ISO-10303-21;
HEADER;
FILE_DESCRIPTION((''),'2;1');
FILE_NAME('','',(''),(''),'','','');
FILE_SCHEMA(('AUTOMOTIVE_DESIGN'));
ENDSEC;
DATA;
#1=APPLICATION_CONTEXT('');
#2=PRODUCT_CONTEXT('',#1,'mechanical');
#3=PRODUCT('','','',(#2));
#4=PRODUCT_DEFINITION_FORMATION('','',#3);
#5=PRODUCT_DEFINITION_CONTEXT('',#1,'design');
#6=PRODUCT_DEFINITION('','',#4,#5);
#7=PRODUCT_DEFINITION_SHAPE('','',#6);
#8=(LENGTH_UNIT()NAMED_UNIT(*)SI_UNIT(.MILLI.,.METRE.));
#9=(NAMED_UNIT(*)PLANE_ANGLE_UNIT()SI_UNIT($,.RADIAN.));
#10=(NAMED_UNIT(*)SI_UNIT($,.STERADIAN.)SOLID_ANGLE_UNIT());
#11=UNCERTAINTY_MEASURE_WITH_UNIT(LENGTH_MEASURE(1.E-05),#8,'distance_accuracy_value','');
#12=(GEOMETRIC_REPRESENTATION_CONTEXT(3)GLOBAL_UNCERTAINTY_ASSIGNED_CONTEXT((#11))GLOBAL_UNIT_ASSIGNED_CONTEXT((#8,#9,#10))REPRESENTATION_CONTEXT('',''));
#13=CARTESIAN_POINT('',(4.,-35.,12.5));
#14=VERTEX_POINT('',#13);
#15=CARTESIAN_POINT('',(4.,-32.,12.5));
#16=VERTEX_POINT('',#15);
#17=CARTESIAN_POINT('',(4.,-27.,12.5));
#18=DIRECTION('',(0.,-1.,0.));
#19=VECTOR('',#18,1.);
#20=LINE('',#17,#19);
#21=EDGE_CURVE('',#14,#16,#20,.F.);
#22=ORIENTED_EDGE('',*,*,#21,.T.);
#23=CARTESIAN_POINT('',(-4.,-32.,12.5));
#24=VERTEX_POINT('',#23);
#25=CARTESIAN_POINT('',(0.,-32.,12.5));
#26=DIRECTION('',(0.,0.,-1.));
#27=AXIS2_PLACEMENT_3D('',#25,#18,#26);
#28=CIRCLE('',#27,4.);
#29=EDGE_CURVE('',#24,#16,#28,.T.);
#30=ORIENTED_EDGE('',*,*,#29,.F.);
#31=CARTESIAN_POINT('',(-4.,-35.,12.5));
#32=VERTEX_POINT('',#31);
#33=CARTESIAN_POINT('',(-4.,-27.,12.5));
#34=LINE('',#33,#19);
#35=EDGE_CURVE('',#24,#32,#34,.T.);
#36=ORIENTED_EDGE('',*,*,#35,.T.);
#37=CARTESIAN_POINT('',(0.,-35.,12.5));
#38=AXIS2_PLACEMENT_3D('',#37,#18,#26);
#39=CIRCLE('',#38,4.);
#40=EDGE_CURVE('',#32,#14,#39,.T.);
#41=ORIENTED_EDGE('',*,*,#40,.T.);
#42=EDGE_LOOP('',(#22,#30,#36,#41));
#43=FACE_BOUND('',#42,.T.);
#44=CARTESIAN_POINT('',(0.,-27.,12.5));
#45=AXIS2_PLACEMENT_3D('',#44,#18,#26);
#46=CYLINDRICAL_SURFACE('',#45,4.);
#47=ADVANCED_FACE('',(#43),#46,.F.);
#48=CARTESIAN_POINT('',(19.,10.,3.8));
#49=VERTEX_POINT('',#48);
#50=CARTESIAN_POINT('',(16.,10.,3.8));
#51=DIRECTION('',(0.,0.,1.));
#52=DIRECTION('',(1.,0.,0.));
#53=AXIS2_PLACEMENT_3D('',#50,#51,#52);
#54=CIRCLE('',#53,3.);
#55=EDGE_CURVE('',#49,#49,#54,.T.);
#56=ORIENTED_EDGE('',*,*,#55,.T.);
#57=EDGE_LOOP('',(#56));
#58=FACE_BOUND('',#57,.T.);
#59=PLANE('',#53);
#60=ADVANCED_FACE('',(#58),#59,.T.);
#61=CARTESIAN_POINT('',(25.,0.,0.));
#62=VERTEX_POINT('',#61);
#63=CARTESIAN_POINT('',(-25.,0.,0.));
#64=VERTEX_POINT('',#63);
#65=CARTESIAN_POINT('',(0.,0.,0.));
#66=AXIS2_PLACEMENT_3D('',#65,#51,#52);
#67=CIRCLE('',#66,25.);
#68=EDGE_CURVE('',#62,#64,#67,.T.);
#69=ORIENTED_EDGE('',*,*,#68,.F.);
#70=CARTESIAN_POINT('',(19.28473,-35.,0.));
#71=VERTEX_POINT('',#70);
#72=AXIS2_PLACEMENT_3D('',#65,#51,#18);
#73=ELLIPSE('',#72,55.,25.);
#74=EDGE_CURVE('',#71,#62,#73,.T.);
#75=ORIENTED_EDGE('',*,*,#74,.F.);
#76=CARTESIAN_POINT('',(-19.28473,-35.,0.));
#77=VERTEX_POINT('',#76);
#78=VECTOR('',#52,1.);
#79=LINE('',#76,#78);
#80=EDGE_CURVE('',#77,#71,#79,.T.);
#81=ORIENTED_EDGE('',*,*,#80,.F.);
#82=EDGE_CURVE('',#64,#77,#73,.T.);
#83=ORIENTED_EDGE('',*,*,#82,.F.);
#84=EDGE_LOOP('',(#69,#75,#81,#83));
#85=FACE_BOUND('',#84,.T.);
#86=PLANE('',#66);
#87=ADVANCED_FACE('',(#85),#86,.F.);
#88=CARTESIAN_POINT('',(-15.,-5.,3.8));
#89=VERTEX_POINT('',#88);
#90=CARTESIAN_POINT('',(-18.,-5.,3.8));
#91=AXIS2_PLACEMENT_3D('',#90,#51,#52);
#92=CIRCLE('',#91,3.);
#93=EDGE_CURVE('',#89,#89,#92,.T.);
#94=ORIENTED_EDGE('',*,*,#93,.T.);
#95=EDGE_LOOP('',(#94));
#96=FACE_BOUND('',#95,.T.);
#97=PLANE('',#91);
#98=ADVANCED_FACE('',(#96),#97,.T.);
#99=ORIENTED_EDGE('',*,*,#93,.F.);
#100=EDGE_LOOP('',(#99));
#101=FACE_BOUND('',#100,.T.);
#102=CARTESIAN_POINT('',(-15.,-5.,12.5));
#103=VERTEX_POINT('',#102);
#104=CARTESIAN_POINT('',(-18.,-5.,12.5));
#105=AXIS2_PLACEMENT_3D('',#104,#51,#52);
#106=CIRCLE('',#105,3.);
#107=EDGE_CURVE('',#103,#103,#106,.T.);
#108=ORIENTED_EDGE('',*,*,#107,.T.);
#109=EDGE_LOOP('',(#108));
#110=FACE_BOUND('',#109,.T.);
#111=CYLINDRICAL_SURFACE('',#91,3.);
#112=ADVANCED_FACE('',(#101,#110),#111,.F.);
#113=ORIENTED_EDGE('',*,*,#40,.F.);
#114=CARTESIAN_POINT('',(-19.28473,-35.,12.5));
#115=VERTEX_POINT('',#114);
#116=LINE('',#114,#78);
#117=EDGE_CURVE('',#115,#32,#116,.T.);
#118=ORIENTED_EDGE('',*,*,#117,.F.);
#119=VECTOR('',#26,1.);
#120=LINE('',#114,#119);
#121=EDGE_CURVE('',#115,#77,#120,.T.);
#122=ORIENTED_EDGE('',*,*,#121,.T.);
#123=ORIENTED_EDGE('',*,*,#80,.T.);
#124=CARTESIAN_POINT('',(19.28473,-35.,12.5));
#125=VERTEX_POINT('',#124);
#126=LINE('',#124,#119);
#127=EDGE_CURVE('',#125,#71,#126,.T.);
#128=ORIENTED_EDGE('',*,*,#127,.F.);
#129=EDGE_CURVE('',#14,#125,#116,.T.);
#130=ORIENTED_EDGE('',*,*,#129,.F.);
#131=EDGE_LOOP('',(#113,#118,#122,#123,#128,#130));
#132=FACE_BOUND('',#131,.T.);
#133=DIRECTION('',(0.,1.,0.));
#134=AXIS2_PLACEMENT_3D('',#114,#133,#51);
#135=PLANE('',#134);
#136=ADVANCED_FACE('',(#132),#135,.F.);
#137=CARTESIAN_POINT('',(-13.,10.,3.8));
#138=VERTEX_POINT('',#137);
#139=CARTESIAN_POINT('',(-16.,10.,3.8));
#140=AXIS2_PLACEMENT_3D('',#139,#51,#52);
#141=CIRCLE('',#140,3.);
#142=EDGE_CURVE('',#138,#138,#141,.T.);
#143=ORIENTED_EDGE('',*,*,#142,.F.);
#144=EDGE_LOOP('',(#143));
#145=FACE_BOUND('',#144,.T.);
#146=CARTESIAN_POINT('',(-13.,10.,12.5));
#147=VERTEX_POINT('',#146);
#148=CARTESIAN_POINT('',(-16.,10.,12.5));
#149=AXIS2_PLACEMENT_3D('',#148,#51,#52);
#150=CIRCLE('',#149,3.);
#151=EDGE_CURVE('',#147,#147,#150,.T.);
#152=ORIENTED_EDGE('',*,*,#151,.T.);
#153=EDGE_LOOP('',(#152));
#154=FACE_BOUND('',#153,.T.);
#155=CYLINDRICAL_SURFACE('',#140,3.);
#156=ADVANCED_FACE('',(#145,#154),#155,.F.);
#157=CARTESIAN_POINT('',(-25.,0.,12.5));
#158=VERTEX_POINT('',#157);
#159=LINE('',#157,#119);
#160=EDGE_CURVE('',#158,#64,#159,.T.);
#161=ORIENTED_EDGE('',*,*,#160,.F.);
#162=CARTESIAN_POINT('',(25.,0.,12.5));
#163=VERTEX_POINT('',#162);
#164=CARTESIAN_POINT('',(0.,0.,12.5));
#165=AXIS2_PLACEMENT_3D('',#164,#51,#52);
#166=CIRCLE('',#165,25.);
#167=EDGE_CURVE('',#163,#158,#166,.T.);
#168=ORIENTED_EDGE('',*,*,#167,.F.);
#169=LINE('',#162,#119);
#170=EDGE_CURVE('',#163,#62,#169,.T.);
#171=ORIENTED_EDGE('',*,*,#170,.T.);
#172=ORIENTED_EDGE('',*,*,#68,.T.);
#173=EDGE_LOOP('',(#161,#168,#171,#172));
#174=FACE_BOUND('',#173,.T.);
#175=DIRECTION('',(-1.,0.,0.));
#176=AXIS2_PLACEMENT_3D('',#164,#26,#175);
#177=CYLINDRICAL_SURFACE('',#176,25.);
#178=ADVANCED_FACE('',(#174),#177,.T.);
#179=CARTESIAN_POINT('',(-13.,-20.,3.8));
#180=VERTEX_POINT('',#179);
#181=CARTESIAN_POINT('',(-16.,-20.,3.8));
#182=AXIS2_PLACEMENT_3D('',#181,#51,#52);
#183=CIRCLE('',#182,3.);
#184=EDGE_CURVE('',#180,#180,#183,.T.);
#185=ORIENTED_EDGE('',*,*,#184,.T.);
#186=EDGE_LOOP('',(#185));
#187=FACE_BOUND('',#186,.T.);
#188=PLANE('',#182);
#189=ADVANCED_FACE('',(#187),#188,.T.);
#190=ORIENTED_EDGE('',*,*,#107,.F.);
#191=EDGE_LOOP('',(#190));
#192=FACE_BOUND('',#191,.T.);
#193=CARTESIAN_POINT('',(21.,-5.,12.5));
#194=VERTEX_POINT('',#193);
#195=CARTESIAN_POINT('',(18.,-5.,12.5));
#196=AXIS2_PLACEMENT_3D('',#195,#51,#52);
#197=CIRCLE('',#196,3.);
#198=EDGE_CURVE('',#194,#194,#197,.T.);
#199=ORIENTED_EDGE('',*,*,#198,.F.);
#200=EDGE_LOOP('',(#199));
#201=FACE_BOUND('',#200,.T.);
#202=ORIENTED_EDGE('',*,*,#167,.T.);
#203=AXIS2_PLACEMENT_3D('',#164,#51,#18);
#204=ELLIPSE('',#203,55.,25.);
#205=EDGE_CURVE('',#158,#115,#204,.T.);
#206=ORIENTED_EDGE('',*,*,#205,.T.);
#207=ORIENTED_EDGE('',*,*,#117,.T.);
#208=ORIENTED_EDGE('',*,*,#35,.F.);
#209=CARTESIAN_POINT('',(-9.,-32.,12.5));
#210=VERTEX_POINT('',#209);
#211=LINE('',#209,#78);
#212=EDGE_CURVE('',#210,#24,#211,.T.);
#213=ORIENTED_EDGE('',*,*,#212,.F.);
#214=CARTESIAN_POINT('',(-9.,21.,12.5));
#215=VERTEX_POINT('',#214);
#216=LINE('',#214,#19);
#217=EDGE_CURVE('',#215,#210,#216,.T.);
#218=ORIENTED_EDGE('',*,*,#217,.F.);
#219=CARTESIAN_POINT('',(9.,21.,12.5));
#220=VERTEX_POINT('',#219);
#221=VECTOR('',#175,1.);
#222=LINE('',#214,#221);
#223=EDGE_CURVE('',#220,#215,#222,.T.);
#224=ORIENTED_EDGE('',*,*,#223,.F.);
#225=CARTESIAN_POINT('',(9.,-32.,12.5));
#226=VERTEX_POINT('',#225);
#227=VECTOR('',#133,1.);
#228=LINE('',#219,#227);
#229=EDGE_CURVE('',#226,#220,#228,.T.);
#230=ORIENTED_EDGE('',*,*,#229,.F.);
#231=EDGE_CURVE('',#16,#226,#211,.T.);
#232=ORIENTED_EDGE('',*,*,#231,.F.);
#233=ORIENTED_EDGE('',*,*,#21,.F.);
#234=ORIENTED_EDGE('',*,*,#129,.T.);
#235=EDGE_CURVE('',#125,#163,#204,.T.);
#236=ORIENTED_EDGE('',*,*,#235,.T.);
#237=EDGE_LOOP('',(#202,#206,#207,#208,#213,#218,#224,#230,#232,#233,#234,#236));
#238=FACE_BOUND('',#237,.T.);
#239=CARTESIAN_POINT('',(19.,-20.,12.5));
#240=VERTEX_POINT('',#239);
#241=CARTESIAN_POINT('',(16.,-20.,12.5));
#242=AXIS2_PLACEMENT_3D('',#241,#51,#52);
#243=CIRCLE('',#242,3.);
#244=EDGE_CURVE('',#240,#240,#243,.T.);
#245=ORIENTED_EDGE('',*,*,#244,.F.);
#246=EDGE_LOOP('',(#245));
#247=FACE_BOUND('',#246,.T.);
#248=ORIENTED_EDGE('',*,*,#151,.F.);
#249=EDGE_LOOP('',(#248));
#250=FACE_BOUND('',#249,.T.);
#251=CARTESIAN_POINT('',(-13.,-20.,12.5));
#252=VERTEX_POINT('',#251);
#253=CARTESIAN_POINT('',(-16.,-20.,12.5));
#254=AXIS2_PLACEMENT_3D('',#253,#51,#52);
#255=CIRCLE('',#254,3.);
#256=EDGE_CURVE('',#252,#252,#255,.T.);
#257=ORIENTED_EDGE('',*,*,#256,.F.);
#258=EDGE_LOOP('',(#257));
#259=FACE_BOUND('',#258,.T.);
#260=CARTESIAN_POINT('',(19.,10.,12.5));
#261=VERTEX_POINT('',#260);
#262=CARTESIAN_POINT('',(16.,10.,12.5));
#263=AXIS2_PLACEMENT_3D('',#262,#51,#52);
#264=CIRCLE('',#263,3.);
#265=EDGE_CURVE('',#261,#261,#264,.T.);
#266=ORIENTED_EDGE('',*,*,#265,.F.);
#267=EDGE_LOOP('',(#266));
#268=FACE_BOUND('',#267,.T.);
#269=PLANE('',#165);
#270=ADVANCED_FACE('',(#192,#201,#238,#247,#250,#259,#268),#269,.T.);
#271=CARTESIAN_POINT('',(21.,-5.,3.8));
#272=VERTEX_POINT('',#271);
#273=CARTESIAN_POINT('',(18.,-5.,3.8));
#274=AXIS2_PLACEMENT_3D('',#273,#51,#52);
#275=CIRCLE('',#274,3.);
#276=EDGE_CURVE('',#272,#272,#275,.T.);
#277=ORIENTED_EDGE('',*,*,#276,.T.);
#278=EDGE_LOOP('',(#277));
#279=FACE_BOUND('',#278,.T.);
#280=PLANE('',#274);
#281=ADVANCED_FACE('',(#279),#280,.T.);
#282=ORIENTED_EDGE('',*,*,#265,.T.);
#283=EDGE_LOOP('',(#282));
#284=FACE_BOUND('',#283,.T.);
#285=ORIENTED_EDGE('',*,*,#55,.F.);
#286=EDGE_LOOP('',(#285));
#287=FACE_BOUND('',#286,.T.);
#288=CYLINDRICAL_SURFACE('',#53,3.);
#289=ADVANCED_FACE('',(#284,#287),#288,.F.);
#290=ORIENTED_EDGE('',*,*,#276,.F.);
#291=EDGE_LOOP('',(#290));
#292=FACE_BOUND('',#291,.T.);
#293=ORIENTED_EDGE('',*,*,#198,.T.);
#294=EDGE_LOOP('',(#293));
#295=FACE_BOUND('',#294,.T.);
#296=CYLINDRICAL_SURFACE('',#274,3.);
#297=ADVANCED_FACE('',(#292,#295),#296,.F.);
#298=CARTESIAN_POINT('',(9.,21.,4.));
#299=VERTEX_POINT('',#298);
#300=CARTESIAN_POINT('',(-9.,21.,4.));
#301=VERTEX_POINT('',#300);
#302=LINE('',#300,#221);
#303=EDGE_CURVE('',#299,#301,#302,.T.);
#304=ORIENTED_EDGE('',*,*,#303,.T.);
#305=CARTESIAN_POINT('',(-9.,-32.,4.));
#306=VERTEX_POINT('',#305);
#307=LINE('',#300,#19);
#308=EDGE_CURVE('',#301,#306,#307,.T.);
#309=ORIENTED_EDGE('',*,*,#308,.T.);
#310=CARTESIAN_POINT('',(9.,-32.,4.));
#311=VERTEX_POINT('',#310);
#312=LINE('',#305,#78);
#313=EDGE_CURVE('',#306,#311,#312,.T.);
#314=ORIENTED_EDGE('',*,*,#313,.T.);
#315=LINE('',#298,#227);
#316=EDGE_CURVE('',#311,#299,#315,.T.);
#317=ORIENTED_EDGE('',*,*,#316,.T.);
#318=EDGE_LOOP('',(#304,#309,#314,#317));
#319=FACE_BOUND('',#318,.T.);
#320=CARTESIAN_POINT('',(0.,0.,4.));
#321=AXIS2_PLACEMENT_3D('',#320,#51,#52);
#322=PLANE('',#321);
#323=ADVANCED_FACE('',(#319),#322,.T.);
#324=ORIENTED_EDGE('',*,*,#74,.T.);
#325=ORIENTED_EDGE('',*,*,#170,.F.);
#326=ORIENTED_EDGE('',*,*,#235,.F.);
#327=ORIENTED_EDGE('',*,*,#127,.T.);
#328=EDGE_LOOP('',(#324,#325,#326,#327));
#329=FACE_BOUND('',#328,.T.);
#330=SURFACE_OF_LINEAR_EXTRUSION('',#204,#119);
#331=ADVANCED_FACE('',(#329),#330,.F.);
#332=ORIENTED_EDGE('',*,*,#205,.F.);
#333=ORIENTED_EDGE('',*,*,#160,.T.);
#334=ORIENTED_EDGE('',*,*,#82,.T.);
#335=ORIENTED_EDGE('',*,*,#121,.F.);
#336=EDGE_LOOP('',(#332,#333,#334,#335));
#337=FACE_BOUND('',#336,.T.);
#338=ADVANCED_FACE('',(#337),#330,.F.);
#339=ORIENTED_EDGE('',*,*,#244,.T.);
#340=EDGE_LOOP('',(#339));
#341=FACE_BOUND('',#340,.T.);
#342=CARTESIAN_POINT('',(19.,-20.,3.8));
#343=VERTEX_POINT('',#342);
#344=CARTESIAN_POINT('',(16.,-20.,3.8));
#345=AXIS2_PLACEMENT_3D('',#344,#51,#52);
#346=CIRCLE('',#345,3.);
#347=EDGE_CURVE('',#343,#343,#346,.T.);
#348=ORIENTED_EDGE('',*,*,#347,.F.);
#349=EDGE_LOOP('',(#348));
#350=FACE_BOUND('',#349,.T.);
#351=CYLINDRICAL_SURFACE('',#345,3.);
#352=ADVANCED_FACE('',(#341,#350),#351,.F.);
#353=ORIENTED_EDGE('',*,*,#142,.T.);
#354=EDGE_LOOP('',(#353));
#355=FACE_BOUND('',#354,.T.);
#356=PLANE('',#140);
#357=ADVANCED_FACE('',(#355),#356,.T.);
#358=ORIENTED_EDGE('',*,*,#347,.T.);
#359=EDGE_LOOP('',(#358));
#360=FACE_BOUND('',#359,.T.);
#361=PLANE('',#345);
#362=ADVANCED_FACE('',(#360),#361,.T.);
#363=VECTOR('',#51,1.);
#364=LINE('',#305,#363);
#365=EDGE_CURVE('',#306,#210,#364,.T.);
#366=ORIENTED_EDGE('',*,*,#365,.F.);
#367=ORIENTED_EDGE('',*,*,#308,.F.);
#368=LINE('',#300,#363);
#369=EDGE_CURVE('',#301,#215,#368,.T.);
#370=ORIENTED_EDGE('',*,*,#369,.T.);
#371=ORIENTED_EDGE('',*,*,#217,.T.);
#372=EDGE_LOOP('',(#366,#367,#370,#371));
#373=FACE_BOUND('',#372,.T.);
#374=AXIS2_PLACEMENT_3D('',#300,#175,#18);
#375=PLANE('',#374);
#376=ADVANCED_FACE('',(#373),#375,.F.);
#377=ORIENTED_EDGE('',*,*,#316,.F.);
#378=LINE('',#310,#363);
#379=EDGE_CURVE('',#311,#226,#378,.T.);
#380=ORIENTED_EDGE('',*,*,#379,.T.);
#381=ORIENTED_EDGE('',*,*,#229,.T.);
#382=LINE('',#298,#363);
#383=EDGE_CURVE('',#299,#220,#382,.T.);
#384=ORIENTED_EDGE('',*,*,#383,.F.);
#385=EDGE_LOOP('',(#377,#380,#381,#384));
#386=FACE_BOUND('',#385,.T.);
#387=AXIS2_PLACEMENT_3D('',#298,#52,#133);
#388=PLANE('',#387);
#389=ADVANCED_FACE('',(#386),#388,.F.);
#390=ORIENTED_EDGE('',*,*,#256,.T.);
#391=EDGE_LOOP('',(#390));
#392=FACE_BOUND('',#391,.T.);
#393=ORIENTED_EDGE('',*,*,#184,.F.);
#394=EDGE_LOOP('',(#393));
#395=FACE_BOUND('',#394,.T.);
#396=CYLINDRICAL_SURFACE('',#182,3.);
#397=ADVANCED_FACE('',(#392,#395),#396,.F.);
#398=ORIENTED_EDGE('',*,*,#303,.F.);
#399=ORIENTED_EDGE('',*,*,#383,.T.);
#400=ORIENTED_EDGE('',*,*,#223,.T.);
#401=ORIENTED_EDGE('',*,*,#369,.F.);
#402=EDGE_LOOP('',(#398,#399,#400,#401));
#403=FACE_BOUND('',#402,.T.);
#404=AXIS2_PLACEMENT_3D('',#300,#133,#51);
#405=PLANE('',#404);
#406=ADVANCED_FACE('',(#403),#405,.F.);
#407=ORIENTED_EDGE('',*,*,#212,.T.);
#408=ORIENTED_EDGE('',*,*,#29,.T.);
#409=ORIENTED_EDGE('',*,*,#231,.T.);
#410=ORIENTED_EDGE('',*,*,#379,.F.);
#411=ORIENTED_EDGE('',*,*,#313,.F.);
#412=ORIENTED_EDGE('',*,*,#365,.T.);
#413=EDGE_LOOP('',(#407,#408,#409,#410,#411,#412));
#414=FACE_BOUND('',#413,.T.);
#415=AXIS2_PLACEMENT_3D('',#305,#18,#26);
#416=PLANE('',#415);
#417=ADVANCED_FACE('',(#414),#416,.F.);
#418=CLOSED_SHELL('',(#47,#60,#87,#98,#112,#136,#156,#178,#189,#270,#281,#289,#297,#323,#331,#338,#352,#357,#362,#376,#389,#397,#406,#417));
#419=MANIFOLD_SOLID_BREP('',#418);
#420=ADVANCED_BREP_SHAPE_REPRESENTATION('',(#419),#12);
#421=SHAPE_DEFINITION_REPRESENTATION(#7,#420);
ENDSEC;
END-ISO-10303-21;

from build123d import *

# Parameters (mm, degrees)
SALIENTE_EXTRUIR5_DEPTH = 12.5
CROQUIS10_W             = 18
CROQUIS10_H             = 53
CORTAR_EXTRUIR1_DEPTH   = 8.5
CROQUIS11_R             = 4
CORTAR_EXTRUIR2_DEPTH   = 8
CROQUIS12_2_R           = 3
CORTAR_EXTRUIR3_DEPTH   = 8.7


with BuildPart() as part:
    # Croquis1 → Saliente-Extruir5 (new body)
    with BuildSketch(Plane.XY):
        with BuildLine():
            Line((-19.284730396, -35), (19.284730396, -35))
            add(Edge.make_bspline(
                [(19.284730396, -35), (25, -19.758503488), (25, 0)],
                knots=[0.881021326, 0.881021326, 0.881021326, 1.570796327, 1.570796327, 1.570796327], degree=2, weights=[1, 0.941113494, 1]))
            ThreePointArc((25, 0), (0, 25), (-25, 0))
            add(Edge.make_bspline(
                [(-25, 0), (-25, -19.758503488), (-19.284730396, -35)],
                knots=[4.71238898, 4.71238898, 4.71238898, 5.402163981, 5.402163981, 5.402163981], degree=2, weights=[1, 0.941113494, 1]))
        make_face()
    extrude(amount=SALIENTE_EXTRUIR5_DEPTH)

    # Croquis10 → Cortar-Extruir1 (cut)
    with BuildSketch(Plane.XY.offset(12.5)):
        with Locations((0, -5.5)):
            Rectangle(CROQUIS10_W, CROQUIS10_H)
    extrude(amount=-CORTAR_EXTRUIR1_DEPTH, mode=Mode.SUBTRACT)

    # Croquis11 → Cortar-Extruir2 (cut)
    with BuildSketch(Plane.XZ.offset(35)):
        with Locations((0, 12.5)):
            Circle(CROQUIS11_R)
    extrude(amount=-CORTAR_EXTRUIR2_DEPTH, mode=Mode.SUBTRACT)

    # Croquis12<2> → Cortar-Extruir3 (cut)
    with BuildSketch(Plane.XY.offset(12.5)):
        with Locations((16, -20)):
            Circle(CROQUIS12_2_R)
        with Locations((16, 10)):
            Circle(CROQUIS12_2_R)
        with Locations((-18, -5)):
            Circle(CROQUIS12_2_R)
        with Locations((18, -5)):
            Circle(CROQUIS12_2_R)
        with Locations((-16, -20)):
            Circle(CROQUIS12_2_R)
        with Locations((-16, 10)):
            Circle(CROQUIS12_2_R)
    extrude(amount=-CORTAR_EXTRUIR3_DEPTH, mode=Mode.SUBTRACT)


solid = part.part
